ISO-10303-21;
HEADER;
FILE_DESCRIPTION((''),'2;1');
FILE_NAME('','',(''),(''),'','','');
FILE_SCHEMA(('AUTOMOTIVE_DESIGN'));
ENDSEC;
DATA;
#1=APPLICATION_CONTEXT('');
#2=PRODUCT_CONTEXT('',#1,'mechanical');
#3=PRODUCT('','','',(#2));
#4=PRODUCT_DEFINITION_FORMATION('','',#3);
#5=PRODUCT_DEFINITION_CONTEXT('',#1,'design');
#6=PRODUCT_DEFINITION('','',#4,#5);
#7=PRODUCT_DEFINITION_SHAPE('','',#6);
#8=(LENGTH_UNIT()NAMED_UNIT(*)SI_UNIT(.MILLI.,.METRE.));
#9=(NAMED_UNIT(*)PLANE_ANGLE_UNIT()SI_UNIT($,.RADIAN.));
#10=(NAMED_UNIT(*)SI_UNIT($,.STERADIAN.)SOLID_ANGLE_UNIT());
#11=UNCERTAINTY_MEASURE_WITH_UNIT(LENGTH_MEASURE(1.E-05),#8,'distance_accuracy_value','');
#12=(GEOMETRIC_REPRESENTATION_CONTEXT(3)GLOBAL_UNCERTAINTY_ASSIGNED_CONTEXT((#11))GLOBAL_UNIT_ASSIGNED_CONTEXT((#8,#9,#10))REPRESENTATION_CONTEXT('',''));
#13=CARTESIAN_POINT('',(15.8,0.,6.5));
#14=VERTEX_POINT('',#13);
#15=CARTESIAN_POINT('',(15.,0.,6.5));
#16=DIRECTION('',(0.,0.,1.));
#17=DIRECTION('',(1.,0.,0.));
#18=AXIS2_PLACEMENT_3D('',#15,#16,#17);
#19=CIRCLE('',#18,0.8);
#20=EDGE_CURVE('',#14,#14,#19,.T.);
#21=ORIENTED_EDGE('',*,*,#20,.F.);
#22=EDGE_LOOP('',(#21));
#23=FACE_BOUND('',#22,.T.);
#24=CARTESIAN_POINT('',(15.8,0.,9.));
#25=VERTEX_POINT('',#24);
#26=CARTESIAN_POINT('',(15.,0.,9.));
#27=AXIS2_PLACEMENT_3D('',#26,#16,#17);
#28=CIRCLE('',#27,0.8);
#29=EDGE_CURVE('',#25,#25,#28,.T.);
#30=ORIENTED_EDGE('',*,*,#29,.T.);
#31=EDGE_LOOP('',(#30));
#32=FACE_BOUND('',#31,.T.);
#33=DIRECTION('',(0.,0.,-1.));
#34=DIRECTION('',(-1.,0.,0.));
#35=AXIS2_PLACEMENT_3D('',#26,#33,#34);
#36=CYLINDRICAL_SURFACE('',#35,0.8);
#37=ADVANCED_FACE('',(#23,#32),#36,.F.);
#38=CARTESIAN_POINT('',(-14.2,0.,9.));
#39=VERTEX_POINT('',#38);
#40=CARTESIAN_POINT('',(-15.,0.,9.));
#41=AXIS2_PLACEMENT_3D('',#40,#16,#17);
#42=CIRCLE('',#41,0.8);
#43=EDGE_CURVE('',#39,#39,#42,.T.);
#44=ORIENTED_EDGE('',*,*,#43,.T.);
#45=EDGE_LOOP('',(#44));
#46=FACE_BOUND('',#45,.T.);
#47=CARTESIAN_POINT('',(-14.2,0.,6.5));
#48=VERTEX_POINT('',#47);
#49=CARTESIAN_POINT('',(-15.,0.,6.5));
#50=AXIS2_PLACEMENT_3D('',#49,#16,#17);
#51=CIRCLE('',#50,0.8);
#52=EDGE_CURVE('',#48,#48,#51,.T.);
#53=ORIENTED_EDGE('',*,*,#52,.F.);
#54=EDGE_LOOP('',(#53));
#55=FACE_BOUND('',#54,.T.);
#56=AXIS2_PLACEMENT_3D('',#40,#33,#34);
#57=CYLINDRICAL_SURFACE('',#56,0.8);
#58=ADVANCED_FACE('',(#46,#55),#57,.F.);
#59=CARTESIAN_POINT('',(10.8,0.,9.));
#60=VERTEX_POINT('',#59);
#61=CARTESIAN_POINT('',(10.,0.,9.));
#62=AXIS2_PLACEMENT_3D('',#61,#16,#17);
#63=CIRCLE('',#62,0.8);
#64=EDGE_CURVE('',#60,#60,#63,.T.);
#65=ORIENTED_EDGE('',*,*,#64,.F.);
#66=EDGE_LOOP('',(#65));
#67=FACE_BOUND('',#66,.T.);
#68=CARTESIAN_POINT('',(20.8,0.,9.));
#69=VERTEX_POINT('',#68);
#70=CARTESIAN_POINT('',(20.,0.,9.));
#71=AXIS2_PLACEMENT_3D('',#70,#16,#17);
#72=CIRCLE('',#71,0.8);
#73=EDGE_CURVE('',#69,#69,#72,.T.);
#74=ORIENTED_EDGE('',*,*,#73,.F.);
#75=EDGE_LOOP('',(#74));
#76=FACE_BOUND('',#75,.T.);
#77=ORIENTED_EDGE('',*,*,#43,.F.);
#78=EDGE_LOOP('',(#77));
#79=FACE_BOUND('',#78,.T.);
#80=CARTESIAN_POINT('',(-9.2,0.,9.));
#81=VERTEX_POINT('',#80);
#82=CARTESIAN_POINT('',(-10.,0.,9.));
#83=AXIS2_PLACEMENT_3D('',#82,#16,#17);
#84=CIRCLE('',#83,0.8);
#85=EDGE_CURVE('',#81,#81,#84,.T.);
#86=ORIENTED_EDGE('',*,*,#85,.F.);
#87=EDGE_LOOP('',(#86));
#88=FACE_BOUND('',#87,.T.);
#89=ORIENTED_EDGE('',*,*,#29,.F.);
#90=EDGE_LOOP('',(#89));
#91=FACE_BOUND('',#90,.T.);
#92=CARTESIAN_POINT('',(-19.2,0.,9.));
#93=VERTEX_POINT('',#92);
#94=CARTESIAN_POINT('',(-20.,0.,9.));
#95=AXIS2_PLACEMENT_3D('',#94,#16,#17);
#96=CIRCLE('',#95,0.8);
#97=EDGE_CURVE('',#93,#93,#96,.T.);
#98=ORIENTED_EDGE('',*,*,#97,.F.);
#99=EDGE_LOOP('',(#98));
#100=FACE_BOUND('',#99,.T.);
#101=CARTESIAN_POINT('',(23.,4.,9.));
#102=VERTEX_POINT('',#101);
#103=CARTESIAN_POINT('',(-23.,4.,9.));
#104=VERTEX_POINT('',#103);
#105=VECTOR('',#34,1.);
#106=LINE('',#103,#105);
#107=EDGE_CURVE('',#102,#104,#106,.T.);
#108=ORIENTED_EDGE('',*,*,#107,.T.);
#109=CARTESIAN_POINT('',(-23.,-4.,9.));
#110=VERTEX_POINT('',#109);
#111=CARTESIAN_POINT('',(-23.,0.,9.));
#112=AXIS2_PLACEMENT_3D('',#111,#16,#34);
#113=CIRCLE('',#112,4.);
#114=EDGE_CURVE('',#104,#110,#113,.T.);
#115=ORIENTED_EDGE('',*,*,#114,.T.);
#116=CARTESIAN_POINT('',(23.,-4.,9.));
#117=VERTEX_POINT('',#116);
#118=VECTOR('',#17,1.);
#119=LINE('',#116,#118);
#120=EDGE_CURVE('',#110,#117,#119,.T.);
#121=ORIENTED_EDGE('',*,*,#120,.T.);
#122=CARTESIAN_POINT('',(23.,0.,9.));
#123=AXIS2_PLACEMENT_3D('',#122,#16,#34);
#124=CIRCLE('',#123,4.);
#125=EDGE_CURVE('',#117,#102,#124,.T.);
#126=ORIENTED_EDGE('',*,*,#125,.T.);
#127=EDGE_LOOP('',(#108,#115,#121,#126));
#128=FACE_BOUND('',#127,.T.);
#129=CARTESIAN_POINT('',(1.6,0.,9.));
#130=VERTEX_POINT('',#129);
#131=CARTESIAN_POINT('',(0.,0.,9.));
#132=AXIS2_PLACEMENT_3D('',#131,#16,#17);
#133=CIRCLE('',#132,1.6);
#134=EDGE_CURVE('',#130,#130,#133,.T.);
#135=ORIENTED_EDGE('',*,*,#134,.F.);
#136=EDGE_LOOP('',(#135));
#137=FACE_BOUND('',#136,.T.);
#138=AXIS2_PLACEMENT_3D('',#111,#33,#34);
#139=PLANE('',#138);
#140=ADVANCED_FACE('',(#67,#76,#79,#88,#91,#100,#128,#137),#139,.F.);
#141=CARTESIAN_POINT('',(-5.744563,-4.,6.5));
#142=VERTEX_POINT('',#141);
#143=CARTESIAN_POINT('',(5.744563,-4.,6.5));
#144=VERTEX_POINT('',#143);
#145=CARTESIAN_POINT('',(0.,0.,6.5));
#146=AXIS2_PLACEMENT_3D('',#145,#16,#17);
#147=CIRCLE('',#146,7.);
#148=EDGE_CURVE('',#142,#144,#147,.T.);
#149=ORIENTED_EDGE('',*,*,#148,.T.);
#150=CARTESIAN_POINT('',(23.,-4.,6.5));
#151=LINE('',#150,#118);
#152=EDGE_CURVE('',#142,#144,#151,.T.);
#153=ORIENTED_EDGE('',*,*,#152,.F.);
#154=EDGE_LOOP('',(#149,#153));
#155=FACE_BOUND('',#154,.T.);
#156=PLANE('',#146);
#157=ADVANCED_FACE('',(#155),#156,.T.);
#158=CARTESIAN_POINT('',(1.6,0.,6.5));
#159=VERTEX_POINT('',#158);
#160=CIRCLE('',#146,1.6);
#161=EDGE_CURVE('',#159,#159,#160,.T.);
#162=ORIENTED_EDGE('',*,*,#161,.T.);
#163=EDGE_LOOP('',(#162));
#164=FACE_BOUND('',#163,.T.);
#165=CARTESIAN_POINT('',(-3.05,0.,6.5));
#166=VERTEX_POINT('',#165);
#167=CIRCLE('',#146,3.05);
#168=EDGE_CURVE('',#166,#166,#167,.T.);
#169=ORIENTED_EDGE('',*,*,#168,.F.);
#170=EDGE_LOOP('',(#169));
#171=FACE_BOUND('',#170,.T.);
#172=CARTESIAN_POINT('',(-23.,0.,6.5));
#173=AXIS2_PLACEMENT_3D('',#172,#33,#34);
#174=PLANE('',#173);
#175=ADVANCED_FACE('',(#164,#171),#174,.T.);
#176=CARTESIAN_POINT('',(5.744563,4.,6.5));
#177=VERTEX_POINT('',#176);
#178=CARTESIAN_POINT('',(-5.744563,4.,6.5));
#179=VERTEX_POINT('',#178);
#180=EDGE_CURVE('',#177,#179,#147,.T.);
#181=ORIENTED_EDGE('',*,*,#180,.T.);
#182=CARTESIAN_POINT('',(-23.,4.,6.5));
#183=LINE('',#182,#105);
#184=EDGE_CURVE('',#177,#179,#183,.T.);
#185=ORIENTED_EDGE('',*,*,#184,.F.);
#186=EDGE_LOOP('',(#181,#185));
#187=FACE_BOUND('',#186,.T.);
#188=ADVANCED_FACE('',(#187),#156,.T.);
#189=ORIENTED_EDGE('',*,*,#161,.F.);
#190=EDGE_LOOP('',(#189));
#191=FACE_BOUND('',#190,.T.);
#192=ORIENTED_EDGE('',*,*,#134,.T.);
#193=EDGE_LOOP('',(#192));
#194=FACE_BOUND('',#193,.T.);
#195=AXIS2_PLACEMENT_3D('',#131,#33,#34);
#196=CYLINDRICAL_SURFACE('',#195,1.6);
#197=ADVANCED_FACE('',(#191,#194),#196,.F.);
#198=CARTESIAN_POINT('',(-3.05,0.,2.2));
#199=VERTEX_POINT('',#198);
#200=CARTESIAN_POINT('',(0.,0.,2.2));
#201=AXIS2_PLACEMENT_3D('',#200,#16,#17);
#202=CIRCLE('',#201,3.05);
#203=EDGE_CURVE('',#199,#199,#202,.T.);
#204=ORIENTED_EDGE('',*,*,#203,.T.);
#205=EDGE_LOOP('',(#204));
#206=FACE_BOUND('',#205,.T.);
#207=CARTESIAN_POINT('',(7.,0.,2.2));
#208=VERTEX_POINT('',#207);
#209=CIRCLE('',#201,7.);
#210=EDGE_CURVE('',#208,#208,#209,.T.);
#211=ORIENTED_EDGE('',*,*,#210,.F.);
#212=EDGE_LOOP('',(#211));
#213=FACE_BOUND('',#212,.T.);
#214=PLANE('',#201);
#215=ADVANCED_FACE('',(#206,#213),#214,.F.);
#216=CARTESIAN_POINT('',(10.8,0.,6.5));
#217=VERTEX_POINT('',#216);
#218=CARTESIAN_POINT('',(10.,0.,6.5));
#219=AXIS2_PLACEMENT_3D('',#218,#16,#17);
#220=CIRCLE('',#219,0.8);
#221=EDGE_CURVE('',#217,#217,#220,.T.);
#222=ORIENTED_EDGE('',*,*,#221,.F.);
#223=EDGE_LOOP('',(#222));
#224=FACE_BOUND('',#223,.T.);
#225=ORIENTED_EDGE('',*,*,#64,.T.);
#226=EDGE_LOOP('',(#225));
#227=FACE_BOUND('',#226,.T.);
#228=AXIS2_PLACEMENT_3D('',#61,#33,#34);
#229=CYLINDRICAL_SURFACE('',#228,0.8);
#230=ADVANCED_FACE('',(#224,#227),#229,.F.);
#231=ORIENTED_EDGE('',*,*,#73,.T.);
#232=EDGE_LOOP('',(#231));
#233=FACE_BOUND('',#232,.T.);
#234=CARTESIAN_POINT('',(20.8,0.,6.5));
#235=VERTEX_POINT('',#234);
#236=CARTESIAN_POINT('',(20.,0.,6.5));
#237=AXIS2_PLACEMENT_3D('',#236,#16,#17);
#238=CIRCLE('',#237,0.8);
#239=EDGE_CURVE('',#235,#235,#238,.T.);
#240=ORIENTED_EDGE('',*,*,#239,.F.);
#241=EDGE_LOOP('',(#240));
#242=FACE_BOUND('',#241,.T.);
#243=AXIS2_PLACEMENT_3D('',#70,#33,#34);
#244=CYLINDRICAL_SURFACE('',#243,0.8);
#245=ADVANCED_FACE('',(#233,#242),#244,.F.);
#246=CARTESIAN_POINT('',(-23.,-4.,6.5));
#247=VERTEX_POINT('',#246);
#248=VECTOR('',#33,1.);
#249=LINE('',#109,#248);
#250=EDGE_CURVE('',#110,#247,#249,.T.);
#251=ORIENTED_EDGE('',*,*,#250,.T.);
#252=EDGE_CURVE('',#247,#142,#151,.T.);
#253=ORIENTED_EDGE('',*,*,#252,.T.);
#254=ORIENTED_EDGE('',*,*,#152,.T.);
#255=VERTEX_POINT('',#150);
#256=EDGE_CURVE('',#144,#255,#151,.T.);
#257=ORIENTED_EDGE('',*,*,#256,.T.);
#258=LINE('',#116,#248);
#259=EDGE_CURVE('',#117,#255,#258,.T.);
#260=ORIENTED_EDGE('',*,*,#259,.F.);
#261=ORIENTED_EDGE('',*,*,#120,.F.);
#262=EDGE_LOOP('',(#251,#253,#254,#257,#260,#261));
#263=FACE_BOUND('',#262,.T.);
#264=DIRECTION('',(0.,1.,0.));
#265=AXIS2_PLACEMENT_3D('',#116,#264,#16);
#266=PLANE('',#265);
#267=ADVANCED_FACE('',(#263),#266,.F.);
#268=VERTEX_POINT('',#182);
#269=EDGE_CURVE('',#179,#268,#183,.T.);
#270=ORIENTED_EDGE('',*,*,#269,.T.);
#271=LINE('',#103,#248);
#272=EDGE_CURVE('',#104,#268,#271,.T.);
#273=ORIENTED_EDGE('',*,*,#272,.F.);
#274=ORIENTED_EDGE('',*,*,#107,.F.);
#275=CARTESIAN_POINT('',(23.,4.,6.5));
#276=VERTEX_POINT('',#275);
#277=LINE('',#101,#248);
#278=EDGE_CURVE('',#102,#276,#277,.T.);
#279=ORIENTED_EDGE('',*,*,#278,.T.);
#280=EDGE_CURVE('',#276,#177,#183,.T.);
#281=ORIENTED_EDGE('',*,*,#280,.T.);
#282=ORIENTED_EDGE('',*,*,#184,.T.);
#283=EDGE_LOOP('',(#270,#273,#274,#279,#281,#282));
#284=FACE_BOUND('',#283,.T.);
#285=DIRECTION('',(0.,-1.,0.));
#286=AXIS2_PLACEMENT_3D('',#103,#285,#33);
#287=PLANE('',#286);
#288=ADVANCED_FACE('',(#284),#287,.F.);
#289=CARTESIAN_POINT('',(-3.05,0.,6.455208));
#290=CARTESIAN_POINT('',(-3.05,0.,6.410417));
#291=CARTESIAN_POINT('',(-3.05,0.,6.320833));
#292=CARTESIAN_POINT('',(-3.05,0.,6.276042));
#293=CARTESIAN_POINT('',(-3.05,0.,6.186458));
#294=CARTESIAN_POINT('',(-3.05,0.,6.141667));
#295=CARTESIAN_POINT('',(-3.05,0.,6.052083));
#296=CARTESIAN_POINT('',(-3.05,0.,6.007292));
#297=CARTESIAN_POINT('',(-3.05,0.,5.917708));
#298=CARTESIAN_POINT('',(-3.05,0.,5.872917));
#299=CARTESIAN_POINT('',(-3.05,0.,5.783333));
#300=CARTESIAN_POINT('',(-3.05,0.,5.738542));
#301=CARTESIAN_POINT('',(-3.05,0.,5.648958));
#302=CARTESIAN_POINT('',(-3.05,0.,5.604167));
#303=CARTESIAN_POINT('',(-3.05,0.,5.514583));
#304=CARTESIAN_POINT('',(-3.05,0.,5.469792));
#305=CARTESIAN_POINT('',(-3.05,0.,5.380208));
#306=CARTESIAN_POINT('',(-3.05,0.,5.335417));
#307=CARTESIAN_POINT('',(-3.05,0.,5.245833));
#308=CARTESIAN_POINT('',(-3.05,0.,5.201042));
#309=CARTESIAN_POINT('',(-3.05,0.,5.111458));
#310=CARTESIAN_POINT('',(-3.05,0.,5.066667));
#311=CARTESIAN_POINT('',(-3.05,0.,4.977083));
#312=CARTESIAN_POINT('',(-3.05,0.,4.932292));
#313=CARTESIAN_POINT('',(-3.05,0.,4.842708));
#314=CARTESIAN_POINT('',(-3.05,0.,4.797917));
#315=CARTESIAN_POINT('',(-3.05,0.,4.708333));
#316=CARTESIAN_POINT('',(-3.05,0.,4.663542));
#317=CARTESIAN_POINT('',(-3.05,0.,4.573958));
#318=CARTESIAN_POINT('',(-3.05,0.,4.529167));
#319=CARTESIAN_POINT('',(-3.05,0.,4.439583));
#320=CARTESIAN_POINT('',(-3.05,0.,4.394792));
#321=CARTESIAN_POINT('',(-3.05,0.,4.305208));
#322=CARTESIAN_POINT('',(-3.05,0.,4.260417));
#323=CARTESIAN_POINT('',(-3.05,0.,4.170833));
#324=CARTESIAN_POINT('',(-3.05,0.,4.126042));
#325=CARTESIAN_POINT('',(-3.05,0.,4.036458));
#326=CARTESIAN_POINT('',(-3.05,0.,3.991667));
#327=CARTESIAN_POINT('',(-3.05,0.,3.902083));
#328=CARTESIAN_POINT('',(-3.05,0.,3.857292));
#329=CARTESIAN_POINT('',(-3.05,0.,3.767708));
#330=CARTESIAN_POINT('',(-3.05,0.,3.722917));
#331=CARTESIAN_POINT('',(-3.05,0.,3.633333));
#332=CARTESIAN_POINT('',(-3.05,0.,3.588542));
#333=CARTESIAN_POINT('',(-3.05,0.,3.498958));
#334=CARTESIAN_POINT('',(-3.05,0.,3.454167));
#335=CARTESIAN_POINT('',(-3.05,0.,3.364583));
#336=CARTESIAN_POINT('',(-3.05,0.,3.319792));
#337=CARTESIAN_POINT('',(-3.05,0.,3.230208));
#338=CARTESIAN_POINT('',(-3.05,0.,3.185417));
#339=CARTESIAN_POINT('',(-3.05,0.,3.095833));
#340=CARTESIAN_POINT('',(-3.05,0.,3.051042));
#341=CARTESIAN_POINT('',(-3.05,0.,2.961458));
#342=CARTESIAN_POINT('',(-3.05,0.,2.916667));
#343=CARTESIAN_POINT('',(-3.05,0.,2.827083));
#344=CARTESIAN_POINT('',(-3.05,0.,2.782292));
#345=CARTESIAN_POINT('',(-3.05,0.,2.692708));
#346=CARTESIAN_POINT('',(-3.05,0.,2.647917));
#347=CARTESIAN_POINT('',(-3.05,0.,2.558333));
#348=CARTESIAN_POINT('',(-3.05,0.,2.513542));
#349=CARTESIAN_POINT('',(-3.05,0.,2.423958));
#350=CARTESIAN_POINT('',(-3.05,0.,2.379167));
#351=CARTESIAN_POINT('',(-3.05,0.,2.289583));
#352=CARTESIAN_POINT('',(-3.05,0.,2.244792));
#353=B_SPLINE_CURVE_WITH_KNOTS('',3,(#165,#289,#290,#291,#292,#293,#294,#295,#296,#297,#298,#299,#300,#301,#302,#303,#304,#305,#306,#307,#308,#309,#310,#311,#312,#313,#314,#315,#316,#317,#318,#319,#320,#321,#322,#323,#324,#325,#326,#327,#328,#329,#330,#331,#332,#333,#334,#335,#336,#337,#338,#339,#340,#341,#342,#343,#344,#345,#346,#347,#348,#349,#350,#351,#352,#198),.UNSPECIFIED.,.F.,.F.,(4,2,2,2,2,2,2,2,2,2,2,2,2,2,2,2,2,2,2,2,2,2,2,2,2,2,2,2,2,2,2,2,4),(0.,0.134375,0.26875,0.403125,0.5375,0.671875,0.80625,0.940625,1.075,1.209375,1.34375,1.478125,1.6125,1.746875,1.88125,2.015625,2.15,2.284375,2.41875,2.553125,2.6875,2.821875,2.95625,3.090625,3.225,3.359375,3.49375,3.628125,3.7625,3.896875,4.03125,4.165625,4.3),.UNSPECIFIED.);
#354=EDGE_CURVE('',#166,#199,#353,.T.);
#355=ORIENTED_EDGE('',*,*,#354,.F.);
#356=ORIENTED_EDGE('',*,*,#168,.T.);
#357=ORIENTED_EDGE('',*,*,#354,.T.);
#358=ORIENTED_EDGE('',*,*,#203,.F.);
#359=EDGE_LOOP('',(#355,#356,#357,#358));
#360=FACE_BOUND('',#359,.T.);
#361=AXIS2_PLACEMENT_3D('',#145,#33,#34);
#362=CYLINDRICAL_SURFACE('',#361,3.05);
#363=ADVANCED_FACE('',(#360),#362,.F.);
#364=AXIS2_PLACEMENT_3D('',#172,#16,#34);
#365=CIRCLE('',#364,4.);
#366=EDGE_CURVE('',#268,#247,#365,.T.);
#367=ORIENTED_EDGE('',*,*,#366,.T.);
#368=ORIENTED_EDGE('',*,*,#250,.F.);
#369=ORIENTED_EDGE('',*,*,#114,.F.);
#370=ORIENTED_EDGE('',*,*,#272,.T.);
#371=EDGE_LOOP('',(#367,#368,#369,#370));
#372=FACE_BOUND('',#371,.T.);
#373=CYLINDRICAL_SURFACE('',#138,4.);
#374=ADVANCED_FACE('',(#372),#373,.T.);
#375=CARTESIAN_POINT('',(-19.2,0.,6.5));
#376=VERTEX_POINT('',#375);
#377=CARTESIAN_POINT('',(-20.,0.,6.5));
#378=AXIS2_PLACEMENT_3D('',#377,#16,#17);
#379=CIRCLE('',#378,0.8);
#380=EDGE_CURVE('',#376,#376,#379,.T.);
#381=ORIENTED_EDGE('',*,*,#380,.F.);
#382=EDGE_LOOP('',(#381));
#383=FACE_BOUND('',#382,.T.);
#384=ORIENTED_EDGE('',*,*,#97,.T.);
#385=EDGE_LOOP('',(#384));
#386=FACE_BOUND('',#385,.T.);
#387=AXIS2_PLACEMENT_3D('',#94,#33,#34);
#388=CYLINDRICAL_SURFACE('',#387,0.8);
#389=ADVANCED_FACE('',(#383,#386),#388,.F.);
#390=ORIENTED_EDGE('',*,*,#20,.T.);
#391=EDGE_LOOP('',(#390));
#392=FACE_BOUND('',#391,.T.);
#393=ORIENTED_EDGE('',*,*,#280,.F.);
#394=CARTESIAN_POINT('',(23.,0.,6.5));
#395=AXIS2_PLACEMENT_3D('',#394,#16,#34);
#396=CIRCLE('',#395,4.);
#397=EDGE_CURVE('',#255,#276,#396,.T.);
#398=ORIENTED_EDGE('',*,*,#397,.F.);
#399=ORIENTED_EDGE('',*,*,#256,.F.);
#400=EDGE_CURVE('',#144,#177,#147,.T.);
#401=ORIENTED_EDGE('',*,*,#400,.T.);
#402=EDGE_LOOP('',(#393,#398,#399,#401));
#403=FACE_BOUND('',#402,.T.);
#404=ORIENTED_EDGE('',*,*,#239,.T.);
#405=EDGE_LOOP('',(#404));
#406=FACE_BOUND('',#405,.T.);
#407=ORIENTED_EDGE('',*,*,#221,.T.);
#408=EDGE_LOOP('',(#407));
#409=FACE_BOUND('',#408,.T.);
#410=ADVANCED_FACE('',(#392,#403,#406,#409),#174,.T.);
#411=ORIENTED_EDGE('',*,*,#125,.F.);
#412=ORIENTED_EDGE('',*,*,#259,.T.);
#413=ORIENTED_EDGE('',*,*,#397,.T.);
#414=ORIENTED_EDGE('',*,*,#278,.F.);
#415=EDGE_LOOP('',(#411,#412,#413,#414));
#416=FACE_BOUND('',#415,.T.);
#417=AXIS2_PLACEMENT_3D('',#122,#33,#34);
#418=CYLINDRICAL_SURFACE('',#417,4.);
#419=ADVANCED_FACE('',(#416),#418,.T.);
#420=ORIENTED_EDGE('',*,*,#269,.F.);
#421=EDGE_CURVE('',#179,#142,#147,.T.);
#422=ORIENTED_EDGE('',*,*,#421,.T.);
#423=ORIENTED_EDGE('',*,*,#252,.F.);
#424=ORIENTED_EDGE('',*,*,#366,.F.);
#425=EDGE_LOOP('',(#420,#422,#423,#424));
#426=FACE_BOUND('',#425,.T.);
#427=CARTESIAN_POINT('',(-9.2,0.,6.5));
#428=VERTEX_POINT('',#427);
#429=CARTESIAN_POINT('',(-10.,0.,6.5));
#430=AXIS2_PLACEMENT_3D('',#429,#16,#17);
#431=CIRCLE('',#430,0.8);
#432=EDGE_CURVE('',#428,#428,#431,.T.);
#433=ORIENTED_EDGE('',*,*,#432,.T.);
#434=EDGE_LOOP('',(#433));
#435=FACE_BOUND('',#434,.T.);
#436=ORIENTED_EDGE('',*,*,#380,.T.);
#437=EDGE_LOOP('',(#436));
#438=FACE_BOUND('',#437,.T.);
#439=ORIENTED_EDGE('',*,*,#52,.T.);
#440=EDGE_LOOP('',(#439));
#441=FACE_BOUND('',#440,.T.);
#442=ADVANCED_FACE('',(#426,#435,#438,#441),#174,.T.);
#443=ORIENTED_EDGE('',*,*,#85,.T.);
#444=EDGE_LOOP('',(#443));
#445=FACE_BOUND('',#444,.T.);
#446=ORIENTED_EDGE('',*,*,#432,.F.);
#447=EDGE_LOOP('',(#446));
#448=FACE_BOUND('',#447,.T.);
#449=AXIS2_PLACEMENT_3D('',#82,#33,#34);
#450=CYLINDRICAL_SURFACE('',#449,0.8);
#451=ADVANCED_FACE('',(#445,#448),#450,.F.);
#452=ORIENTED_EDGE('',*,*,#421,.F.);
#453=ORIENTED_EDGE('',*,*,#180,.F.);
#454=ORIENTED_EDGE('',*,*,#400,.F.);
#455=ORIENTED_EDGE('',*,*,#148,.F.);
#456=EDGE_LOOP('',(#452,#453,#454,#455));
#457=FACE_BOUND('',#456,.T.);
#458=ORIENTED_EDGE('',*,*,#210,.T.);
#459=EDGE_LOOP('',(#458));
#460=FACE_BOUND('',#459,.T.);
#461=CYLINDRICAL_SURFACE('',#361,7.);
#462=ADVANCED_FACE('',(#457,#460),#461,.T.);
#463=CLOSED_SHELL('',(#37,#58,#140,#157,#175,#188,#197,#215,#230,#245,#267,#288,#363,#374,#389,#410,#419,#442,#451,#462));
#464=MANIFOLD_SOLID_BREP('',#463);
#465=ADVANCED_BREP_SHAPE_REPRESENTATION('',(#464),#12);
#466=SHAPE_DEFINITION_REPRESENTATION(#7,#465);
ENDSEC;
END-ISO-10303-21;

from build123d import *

# Parameters (mm, degrees)
HUB_START   = 2.2
SKETCH1_R   = 7
SKETCH1_R_2 = 3.05
HUB_DEPTH   = 4.3
ARM_START   = 6.5
SKETCH2_R   = 1.6
SKETCH2_R_2 = 0.8
ARM_DEPTH   = 2.5


with BuildPart() as part:
    # Sketch1 → Hub (new body)
    with BuildSketch(Plane.XY.offset(HUB_START)):
        with Locations(Location((0, 0, 0), (0, 0, 180))):
            Circle(SKETCH1_R)
        with Locations(Location((0, 0, 0), (0, 0, 180))):
            Circle(SKETCH1_R_2, mode=Mode.SUBTRACT)
    extrude(amount=HUB_DEPTH)

    # Sketch2 → Arm (add)
    with BuildSketch(Plane.XY.offset(ARM_START)):
        with BuildLine():
            Line((-23, 4), (23, 4))
            ThreePointArc((23, 4), (27, 0), (23, -4))
            Line((23, -4), (-23, -4))
            ThreePointArc((-23, -4), (-27, 0), (-23, 4))
        make_face()
        Circle(SKETCH2_R, mode=Mode.SUBTRACT)
        with Locations((-10, 0)):
            Circle(SKETCH2_R_2, mode=Mode.SUBTRACT)
        with Locations((-15, 0)):
            Circle(SKETCH2_R_2, mode=Mode.SUBTRACT)
        with Locations((-20, 0)):
            Circle(SKETCH2_R_2, mode=Mode.SUBTRACT)
        with Locations((10, 0)):
            Circle(SKETCH2_R_2, mode=Mode.SUBTRACT)
        with Locations((15, 0)):
            Circle(SKETCH2_R_2, mode=Mode.SUBTRACT)
        with Locations((20, 0)):
            Circle(SKETCH2_R_2, mode=Mode.SUBTRACT)
    extrude(amount=ARM_DEPTH)


solid = part.part
